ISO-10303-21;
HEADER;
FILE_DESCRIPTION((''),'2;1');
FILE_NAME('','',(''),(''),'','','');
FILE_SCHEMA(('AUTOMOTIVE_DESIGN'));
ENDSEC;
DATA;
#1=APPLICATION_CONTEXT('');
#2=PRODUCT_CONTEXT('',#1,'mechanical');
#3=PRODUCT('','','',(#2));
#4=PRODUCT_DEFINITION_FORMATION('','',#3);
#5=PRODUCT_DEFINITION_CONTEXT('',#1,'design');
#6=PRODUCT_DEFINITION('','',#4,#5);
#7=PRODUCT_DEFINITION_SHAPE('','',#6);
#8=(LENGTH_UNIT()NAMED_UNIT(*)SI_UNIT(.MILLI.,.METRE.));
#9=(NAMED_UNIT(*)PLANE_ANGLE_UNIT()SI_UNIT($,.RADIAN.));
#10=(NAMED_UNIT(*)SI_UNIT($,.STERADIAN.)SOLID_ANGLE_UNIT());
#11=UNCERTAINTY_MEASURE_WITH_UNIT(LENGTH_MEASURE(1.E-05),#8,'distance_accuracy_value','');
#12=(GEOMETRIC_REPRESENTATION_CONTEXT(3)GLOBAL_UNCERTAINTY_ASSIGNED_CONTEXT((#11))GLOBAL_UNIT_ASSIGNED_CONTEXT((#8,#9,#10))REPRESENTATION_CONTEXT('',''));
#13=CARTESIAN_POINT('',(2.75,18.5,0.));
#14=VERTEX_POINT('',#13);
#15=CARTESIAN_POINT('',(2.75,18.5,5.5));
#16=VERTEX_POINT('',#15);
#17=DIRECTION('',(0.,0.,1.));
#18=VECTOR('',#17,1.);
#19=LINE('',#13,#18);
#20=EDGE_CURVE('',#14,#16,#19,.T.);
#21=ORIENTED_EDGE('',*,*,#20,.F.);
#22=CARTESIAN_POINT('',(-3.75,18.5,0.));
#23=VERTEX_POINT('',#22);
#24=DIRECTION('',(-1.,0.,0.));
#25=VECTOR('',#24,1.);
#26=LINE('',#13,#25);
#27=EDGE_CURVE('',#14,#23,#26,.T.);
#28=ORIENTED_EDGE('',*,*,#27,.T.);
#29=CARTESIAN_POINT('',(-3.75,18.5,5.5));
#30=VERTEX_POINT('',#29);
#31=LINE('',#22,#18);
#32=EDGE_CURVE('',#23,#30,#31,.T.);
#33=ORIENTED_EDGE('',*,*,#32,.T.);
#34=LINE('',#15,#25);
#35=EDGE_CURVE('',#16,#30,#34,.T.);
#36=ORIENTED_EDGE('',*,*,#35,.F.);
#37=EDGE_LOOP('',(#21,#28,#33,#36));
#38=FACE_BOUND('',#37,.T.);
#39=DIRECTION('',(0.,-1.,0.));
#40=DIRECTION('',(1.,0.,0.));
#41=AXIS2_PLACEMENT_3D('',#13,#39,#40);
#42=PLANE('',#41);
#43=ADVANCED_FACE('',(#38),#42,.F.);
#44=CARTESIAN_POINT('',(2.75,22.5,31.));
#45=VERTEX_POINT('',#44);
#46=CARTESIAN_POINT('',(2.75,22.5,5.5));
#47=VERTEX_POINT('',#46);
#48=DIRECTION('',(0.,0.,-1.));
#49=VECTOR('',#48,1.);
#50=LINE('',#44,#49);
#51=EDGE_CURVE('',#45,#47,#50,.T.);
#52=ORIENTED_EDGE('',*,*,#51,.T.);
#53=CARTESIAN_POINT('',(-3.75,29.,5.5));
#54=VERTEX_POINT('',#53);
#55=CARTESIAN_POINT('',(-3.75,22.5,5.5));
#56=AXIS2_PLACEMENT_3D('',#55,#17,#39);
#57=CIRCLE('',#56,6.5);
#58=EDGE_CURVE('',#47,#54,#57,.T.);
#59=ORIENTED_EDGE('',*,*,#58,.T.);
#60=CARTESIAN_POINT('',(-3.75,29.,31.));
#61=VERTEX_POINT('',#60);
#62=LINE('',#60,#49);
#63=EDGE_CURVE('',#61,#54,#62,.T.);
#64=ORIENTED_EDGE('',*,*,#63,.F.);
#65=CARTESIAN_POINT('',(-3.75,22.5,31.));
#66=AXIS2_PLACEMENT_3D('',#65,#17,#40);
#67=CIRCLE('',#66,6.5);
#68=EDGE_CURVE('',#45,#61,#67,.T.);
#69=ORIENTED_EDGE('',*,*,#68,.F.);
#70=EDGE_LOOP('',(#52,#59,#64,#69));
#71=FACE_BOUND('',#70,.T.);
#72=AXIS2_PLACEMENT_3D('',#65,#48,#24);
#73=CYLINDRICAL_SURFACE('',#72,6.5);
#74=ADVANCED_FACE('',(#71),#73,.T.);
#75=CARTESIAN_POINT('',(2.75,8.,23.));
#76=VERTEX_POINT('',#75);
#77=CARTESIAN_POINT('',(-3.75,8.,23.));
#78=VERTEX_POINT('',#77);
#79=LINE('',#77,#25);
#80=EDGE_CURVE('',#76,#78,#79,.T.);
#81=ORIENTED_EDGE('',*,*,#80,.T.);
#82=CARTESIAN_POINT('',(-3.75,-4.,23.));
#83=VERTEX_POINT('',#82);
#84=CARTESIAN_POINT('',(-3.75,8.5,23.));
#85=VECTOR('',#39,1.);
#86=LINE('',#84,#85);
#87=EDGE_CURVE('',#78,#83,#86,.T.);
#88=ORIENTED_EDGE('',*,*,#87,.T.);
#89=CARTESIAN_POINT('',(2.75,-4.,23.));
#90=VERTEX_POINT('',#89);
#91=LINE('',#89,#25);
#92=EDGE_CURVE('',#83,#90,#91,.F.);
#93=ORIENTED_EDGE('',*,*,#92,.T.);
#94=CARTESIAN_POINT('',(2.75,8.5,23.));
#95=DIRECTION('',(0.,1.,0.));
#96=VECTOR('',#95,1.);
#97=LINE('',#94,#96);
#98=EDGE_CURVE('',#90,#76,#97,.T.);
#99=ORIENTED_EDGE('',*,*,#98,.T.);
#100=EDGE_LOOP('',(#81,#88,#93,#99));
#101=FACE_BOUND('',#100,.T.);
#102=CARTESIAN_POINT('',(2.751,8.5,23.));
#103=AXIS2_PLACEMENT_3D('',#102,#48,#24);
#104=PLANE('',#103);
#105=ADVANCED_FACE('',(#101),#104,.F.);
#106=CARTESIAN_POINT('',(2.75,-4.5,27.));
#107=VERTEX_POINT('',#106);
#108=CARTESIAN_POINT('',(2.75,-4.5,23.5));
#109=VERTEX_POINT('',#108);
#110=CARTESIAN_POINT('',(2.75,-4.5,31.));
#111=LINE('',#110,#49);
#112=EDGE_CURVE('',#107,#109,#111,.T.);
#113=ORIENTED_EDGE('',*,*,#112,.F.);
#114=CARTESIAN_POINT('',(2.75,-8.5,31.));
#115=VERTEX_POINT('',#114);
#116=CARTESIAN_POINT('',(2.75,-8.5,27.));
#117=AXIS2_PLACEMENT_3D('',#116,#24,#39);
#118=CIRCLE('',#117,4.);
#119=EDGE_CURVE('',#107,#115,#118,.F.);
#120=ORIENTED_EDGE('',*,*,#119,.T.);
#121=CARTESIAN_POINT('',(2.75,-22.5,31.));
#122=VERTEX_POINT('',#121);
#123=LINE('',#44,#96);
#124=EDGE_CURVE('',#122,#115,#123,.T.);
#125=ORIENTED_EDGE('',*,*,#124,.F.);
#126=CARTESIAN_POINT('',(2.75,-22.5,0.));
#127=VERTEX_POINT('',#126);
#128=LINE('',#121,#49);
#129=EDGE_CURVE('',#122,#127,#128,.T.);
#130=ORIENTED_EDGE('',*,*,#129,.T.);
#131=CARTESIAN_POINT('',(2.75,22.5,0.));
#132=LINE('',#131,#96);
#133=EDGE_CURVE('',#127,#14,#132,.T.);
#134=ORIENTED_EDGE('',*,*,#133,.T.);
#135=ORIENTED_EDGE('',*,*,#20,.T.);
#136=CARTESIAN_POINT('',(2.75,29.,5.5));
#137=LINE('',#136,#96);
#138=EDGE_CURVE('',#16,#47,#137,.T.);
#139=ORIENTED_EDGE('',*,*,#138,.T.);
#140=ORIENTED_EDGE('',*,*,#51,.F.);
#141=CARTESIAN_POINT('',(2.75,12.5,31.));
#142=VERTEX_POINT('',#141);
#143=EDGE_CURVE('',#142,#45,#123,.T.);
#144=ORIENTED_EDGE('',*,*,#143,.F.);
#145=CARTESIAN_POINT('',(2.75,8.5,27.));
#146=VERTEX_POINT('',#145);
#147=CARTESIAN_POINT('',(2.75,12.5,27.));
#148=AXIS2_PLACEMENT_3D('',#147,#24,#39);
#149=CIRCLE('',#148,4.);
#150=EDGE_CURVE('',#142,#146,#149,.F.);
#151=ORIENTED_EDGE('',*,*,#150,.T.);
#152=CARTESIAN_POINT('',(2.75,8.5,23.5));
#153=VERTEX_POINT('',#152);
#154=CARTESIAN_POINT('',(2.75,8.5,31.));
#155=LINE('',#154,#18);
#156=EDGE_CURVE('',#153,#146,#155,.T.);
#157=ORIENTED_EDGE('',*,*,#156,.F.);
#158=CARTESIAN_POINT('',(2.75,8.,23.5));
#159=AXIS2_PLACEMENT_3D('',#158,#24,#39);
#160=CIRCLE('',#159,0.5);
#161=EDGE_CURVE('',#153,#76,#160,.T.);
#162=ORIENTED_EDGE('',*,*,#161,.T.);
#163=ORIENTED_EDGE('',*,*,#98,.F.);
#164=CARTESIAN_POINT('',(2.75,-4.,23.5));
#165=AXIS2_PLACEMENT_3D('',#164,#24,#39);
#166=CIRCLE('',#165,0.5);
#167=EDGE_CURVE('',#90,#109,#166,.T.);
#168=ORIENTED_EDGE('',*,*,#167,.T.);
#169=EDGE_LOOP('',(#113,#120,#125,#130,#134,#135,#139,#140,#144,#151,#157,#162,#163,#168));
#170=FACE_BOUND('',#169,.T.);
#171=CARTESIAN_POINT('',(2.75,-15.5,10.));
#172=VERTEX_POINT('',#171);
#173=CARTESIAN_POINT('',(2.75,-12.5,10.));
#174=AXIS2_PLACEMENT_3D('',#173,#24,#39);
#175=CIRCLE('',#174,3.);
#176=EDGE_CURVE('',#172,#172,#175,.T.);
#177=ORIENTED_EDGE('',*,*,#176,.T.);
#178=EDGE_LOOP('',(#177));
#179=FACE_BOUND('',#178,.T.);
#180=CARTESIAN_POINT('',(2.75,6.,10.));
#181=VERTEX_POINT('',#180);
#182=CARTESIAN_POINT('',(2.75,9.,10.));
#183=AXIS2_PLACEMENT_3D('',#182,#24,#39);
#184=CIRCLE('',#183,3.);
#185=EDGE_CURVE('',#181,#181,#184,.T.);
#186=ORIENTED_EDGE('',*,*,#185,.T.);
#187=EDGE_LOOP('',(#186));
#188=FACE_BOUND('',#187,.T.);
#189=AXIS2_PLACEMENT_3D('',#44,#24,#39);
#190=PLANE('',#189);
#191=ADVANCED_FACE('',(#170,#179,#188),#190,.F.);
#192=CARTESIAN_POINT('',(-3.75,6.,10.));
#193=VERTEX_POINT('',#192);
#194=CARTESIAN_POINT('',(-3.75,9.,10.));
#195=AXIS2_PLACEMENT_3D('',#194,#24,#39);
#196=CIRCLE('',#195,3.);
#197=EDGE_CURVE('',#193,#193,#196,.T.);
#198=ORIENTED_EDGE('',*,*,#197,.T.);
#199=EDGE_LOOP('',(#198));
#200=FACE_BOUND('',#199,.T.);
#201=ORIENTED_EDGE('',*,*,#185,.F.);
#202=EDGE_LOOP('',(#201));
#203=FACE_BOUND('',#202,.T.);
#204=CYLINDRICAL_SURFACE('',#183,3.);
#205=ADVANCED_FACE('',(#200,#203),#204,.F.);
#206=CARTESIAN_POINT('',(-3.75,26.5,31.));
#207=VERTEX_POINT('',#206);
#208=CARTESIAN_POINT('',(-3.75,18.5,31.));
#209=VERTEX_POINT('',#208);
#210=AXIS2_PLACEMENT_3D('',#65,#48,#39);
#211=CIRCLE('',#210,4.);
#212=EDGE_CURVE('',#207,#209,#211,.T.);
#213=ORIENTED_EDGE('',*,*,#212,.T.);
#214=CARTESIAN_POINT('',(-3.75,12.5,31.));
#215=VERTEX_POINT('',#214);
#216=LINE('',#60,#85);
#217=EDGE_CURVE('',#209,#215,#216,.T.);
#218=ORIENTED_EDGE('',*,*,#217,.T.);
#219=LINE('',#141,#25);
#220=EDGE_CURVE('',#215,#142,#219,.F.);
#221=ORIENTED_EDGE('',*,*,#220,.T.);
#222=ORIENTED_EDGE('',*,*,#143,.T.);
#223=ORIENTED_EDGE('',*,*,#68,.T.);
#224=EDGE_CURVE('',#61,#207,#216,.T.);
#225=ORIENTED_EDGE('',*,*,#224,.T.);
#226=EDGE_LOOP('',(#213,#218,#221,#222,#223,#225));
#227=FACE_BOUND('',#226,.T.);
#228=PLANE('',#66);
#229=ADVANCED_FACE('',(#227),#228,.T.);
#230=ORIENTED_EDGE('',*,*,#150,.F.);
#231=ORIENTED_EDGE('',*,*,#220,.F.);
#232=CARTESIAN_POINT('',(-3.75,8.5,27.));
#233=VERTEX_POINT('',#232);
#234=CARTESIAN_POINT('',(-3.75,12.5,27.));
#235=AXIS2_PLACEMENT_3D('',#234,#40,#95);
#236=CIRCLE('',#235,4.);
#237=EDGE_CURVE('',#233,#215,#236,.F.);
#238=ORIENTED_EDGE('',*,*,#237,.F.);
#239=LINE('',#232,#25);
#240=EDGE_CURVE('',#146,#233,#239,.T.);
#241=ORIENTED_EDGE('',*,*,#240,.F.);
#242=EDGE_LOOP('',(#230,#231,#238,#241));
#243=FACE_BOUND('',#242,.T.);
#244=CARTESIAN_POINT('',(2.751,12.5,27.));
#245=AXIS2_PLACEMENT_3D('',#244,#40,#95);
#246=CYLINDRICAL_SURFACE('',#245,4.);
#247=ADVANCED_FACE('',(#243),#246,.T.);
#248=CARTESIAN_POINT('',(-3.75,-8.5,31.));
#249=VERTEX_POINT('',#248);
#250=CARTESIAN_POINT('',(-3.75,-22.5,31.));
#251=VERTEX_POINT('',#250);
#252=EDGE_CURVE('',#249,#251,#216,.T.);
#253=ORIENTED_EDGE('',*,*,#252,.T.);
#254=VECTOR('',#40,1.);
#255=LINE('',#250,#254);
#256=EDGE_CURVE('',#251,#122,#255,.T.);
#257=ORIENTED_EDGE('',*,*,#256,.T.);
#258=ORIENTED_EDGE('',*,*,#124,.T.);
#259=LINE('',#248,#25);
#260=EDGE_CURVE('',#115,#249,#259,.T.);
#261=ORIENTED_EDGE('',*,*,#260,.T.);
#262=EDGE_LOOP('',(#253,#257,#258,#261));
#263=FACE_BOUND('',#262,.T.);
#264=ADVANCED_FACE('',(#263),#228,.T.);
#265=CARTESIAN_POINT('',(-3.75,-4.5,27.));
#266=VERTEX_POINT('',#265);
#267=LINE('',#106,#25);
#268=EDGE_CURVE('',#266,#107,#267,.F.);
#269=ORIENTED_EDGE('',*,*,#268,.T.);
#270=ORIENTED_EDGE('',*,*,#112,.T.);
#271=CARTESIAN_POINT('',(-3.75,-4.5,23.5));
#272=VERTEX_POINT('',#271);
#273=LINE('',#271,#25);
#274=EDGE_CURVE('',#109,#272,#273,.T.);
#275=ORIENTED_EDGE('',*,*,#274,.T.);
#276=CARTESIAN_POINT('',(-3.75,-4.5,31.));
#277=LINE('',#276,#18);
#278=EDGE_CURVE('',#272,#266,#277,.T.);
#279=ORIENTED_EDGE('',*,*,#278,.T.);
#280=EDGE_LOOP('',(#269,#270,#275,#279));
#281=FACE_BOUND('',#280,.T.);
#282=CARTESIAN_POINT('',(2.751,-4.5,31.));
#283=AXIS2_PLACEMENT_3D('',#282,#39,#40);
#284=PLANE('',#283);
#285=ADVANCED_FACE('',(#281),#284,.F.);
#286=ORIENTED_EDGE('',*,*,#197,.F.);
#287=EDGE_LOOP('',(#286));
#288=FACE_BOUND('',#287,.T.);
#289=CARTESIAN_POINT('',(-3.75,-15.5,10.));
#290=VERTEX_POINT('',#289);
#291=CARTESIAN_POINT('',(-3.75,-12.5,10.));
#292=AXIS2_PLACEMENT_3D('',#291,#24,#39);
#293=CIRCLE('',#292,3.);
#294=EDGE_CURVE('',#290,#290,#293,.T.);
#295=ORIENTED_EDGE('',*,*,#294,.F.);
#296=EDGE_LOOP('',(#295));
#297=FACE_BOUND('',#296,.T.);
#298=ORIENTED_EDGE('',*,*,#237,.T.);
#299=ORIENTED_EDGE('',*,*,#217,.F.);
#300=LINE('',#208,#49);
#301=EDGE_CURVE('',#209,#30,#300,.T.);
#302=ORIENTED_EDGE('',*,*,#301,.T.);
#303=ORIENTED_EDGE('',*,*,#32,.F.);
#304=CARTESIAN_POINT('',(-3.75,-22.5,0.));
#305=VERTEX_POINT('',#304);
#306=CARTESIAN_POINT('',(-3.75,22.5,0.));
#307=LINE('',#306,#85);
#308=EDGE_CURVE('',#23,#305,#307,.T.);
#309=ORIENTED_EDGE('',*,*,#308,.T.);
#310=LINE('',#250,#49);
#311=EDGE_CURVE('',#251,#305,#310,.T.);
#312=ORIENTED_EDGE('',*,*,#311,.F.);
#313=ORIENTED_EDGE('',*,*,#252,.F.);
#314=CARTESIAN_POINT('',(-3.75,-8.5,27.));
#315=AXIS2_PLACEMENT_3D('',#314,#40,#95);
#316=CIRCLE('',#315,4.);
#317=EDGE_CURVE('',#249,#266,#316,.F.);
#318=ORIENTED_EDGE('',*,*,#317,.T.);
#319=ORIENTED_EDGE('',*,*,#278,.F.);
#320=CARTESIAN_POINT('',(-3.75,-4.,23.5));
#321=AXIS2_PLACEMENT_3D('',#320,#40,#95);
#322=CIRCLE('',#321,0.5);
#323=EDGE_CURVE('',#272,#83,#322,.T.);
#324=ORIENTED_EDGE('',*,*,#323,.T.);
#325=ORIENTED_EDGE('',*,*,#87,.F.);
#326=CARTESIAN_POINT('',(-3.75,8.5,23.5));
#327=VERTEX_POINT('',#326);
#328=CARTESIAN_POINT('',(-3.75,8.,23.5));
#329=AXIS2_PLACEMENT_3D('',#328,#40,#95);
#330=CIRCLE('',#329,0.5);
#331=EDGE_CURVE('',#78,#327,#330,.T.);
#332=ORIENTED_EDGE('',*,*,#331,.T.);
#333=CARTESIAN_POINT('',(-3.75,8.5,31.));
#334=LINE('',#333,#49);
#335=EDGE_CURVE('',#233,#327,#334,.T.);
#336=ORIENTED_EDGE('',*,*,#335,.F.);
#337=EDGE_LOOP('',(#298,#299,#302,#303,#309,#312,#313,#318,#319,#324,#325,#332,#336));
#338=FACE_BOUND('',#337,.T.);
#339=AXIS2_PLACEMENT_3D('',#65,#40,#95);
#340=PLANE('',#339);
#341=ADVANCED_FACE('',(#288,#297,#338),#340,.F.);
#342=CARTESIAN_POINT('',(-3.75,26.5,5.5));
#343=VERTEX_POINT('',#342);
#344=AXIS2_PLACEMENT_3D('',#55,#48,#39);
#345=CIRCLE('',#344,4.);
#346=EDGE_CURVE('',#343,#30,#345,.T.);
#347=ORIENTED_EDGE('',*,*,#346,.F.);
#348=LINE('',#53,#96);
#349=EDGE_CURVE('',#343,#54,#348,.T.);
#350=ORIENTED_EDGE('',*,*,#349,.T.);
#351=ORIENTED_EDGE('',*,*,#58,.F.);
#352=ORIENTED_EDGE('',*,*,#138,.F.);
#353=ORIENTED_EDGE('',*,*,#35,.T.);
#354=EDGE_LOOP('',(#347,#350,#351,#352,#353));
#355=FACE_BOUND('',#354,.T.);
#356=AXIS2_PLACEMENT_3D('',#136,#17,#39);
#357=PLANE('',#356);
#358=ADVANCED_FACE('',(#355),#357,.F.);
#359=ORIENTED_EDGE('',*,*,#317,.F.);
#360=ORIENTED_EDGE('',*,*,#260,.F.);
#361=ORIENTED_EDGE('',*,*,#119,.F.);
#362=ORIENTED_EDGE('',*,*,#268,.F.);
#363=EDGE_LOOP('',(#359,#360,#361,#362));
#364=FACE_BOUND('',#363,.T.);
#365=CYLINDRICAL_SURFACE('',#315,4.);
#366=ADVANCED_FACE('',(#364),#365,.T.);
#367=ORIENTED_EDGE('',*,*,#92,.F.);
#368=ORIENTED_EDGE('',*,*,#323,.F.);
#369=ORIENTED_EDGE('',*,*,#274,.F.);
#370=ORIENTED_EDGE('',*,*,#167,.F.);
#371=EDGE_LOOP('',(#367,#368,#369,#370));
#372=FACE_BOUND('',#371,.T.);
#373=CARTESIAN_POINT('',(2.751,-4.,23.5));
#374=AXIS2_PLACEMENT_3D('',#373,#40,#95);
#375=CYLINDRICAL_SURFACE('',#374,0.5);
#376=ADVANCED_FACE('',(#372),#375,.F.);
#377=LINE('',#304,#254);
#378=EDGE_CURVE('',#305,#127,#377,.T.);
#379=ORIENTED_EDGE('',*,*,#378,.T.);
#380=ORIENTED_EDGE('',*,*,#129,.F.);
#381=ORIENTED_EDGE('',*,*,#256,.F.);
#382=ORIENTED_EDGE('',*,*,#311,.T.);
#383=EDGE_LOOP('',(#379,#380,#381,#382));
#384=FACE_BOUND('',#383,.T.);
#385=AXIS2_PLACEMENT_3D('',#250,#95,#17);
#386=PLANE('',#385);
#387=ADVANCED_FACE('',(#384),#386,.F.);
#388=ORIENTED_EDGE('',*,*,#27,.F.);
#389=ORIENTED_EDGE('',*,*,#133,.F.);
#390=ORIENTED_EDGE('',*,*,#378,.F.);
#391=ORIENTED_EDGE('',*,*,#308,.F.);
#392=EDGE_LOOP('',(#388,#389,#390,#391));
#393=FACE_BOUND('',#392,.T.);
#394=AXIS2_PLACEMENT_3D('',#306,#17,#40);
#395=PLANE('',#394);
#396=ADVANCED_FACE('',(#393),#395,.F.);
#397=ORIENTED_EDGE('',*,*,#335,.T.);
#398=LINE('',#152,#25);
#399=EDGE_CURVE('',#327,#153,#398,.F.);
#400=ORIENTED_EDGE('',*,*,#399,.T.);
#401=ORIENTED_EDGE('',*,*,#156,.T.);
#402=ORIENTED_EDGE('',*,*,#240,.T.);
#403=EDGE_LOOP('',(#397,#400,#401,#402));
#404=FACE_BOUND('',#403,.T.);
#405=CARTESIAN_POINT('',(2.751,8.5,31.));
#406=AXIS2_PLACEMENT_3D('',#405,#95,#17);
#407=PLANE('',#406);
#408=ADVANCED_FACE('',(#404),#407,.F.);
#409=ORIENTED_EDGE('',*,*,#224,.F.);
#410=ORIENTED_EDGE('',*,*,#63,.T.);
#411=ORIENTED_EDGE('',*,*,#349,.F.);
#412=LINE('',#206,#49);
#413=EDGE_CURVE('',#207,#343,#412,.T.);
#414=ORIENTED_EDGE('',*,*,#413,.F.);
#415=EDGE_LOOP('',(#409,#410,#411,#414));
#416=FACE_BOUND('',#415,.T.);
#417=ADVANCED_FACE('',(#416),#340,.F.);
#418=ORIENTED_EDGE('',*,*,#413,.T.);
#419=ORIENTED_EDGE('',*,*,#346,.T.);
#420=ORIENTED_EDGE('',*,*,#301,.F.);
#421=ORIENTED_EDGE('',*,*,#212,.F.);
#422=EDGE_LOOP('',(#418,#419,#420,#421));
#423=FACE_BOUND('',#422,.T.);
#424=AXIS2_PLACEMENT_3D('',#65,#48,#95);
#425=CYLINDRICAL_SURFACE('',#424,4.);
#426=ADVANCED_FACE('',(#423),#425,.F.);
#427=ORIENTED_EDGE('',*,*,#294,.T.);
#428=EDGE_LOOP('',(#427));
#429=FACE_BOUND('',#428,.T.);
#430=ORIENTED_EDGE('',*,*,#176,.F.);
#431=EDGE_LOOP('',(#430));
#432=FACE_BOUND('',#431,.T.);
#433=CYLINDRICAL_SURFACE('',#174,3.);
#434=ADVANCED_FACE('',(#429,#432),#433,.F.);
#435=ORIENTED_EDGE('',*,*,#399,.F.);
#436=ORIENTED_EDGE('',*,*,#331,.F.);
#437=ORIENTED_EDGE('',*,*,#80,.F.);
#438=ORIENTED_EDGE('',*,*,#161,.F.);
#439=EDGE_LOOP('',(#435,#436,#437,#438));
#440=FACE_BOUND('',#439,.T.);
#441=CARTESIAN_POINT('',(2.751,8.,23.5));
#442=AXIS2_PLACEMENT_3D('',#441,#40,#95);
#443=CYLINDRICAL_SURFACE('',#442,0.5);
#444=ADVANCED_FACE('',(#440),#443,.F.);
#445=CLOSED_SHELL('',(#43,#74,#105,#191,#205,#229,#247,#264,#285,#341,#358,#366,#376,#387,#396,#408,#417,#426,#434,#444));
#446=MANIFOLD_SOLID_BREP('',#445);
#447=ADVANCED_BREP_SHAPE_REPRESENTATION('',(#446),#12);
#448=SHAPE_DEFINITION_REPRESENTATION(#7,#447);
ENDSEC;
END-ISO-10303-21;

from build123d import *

# Parameters (mm, degrees)
BOSS_EXTRUDE1_DEPTH = 31
SKETCH2_W           = 5.5
SKETCH2_H           = 10.5
CUT_EXTRUDE1_DEPTH  = 7.5
SKETCH3_R           = 3
CUT_EXTRUDE2_DEPTH  = 7.5
CUT_EXTRUDE4_DEPTH  = 26.5
CUT_EXTRUDE5_REACH  = 8.5
SKETCH6_W           = 8
SKETCH6_H           = 13
FILLET1_R           = 0.5
FILLET2_R           = 4


with BuildPart() as part:
    # Sketch1 → Boss-Extrude1 (new body)
    with BuildSketch(Plane.XY):
        with BuildLine():
            Line((-3.75, 29), (-3.75, 22.5))
            Line((-3.75, 22.5), (-3.75, -22.5))
            Line((-3.75, -22.5), (2.75, -22.5))
            Line((2.75, -22.5), (2.75, 22.5))
            ThreePointArc((2.75, 22.5), (0.846194078, 27.096194078), (-3.75, 29))
        make_face()
    extrude(amount=BOSS_EXTRUDE1_DEPTH)

    # Sketch2 → Cut-Extrude1 (cut, through all)
    with BuildSketch(Plane.ZY.offset(3.75)):
        with Locations((2.75, 23.75)):
            Rectangle(SKETCH2_W, SKETCH2_H)
    extrude(amount=-CUT_EXTRUDE1_DEPTH, mode=Mode.SUBTRACT)

    # Sketch3 → Cut-Extrude2 (cut, through all)
    with BuildSketch(Plane.ZY.offset(3.75)):
        with Locations((10, 9)):
            Circle(SKETCH3_R)
        with Locations((10, -12.5)):
            Circle(SKETCH3_R)
    extrude(amount=-CUT_EXTRUDE2_DEPTH, mode=Mode.SUBTRACT)

    # Sketch4 → Cut-Extrude4 (cut, through all)
    with BuildSketch(Plane(origin=(0, 0, 5.5), x_dir=(-1, 0, 0), z_dir=(0, 0, -1))):
        with BuildLine():
            Line((3.75, 26.5), (3.75, 18.5))
            ThreePointArc((3.75, 18.5), (-0.25, 22.5), (3.75, 26.5))
        make_face()
    extrude(amount=-CUT_EXTRUDE4_DEPTH, mode=Mode.SUBTRACT)

    # Sketch6 → Cut-Extrude5 (cut, up to next)
    with BuildSketch(Plane.ZY.offset(3.75), mode=Mode.PRIVATE) as cut_extrude5_sk1:
        with Locations((27, 2)):
            Rectangle(SKETCH6_W, SKETCH6_H)
    cut_extrude5_tool1 = extrude(cut_extrude5_sk1.sketch, amount=-CUT_EXTRUDE5_REACH, mode=Mode.PRIVATE) & part.part
    add(cut_extrude5_tool1.solids().sort_by_distance((-3.75, 2, 27))[0], mode=Mode.SUBTRACT)

    # Fillet1
    fillet1_edges = [part.edges().sort_by_distance(p)[0] for p in [
        (-0.5, -4.5, 23),
        (-0.5, 8.5, 23),
    ]]
    fillet(fillet1_edges, radius=FILLET1_R)

    # Fillet2
    fillet2_edges = [part.edges().sort_by_distance(p)[0] for p in [
        (-0.5, 8.5, 31),
        (-0.5, -4.5, 31),
    ]]
    fillet(fillet2_edges, radius=FILLET2_R)


solid = part.part
